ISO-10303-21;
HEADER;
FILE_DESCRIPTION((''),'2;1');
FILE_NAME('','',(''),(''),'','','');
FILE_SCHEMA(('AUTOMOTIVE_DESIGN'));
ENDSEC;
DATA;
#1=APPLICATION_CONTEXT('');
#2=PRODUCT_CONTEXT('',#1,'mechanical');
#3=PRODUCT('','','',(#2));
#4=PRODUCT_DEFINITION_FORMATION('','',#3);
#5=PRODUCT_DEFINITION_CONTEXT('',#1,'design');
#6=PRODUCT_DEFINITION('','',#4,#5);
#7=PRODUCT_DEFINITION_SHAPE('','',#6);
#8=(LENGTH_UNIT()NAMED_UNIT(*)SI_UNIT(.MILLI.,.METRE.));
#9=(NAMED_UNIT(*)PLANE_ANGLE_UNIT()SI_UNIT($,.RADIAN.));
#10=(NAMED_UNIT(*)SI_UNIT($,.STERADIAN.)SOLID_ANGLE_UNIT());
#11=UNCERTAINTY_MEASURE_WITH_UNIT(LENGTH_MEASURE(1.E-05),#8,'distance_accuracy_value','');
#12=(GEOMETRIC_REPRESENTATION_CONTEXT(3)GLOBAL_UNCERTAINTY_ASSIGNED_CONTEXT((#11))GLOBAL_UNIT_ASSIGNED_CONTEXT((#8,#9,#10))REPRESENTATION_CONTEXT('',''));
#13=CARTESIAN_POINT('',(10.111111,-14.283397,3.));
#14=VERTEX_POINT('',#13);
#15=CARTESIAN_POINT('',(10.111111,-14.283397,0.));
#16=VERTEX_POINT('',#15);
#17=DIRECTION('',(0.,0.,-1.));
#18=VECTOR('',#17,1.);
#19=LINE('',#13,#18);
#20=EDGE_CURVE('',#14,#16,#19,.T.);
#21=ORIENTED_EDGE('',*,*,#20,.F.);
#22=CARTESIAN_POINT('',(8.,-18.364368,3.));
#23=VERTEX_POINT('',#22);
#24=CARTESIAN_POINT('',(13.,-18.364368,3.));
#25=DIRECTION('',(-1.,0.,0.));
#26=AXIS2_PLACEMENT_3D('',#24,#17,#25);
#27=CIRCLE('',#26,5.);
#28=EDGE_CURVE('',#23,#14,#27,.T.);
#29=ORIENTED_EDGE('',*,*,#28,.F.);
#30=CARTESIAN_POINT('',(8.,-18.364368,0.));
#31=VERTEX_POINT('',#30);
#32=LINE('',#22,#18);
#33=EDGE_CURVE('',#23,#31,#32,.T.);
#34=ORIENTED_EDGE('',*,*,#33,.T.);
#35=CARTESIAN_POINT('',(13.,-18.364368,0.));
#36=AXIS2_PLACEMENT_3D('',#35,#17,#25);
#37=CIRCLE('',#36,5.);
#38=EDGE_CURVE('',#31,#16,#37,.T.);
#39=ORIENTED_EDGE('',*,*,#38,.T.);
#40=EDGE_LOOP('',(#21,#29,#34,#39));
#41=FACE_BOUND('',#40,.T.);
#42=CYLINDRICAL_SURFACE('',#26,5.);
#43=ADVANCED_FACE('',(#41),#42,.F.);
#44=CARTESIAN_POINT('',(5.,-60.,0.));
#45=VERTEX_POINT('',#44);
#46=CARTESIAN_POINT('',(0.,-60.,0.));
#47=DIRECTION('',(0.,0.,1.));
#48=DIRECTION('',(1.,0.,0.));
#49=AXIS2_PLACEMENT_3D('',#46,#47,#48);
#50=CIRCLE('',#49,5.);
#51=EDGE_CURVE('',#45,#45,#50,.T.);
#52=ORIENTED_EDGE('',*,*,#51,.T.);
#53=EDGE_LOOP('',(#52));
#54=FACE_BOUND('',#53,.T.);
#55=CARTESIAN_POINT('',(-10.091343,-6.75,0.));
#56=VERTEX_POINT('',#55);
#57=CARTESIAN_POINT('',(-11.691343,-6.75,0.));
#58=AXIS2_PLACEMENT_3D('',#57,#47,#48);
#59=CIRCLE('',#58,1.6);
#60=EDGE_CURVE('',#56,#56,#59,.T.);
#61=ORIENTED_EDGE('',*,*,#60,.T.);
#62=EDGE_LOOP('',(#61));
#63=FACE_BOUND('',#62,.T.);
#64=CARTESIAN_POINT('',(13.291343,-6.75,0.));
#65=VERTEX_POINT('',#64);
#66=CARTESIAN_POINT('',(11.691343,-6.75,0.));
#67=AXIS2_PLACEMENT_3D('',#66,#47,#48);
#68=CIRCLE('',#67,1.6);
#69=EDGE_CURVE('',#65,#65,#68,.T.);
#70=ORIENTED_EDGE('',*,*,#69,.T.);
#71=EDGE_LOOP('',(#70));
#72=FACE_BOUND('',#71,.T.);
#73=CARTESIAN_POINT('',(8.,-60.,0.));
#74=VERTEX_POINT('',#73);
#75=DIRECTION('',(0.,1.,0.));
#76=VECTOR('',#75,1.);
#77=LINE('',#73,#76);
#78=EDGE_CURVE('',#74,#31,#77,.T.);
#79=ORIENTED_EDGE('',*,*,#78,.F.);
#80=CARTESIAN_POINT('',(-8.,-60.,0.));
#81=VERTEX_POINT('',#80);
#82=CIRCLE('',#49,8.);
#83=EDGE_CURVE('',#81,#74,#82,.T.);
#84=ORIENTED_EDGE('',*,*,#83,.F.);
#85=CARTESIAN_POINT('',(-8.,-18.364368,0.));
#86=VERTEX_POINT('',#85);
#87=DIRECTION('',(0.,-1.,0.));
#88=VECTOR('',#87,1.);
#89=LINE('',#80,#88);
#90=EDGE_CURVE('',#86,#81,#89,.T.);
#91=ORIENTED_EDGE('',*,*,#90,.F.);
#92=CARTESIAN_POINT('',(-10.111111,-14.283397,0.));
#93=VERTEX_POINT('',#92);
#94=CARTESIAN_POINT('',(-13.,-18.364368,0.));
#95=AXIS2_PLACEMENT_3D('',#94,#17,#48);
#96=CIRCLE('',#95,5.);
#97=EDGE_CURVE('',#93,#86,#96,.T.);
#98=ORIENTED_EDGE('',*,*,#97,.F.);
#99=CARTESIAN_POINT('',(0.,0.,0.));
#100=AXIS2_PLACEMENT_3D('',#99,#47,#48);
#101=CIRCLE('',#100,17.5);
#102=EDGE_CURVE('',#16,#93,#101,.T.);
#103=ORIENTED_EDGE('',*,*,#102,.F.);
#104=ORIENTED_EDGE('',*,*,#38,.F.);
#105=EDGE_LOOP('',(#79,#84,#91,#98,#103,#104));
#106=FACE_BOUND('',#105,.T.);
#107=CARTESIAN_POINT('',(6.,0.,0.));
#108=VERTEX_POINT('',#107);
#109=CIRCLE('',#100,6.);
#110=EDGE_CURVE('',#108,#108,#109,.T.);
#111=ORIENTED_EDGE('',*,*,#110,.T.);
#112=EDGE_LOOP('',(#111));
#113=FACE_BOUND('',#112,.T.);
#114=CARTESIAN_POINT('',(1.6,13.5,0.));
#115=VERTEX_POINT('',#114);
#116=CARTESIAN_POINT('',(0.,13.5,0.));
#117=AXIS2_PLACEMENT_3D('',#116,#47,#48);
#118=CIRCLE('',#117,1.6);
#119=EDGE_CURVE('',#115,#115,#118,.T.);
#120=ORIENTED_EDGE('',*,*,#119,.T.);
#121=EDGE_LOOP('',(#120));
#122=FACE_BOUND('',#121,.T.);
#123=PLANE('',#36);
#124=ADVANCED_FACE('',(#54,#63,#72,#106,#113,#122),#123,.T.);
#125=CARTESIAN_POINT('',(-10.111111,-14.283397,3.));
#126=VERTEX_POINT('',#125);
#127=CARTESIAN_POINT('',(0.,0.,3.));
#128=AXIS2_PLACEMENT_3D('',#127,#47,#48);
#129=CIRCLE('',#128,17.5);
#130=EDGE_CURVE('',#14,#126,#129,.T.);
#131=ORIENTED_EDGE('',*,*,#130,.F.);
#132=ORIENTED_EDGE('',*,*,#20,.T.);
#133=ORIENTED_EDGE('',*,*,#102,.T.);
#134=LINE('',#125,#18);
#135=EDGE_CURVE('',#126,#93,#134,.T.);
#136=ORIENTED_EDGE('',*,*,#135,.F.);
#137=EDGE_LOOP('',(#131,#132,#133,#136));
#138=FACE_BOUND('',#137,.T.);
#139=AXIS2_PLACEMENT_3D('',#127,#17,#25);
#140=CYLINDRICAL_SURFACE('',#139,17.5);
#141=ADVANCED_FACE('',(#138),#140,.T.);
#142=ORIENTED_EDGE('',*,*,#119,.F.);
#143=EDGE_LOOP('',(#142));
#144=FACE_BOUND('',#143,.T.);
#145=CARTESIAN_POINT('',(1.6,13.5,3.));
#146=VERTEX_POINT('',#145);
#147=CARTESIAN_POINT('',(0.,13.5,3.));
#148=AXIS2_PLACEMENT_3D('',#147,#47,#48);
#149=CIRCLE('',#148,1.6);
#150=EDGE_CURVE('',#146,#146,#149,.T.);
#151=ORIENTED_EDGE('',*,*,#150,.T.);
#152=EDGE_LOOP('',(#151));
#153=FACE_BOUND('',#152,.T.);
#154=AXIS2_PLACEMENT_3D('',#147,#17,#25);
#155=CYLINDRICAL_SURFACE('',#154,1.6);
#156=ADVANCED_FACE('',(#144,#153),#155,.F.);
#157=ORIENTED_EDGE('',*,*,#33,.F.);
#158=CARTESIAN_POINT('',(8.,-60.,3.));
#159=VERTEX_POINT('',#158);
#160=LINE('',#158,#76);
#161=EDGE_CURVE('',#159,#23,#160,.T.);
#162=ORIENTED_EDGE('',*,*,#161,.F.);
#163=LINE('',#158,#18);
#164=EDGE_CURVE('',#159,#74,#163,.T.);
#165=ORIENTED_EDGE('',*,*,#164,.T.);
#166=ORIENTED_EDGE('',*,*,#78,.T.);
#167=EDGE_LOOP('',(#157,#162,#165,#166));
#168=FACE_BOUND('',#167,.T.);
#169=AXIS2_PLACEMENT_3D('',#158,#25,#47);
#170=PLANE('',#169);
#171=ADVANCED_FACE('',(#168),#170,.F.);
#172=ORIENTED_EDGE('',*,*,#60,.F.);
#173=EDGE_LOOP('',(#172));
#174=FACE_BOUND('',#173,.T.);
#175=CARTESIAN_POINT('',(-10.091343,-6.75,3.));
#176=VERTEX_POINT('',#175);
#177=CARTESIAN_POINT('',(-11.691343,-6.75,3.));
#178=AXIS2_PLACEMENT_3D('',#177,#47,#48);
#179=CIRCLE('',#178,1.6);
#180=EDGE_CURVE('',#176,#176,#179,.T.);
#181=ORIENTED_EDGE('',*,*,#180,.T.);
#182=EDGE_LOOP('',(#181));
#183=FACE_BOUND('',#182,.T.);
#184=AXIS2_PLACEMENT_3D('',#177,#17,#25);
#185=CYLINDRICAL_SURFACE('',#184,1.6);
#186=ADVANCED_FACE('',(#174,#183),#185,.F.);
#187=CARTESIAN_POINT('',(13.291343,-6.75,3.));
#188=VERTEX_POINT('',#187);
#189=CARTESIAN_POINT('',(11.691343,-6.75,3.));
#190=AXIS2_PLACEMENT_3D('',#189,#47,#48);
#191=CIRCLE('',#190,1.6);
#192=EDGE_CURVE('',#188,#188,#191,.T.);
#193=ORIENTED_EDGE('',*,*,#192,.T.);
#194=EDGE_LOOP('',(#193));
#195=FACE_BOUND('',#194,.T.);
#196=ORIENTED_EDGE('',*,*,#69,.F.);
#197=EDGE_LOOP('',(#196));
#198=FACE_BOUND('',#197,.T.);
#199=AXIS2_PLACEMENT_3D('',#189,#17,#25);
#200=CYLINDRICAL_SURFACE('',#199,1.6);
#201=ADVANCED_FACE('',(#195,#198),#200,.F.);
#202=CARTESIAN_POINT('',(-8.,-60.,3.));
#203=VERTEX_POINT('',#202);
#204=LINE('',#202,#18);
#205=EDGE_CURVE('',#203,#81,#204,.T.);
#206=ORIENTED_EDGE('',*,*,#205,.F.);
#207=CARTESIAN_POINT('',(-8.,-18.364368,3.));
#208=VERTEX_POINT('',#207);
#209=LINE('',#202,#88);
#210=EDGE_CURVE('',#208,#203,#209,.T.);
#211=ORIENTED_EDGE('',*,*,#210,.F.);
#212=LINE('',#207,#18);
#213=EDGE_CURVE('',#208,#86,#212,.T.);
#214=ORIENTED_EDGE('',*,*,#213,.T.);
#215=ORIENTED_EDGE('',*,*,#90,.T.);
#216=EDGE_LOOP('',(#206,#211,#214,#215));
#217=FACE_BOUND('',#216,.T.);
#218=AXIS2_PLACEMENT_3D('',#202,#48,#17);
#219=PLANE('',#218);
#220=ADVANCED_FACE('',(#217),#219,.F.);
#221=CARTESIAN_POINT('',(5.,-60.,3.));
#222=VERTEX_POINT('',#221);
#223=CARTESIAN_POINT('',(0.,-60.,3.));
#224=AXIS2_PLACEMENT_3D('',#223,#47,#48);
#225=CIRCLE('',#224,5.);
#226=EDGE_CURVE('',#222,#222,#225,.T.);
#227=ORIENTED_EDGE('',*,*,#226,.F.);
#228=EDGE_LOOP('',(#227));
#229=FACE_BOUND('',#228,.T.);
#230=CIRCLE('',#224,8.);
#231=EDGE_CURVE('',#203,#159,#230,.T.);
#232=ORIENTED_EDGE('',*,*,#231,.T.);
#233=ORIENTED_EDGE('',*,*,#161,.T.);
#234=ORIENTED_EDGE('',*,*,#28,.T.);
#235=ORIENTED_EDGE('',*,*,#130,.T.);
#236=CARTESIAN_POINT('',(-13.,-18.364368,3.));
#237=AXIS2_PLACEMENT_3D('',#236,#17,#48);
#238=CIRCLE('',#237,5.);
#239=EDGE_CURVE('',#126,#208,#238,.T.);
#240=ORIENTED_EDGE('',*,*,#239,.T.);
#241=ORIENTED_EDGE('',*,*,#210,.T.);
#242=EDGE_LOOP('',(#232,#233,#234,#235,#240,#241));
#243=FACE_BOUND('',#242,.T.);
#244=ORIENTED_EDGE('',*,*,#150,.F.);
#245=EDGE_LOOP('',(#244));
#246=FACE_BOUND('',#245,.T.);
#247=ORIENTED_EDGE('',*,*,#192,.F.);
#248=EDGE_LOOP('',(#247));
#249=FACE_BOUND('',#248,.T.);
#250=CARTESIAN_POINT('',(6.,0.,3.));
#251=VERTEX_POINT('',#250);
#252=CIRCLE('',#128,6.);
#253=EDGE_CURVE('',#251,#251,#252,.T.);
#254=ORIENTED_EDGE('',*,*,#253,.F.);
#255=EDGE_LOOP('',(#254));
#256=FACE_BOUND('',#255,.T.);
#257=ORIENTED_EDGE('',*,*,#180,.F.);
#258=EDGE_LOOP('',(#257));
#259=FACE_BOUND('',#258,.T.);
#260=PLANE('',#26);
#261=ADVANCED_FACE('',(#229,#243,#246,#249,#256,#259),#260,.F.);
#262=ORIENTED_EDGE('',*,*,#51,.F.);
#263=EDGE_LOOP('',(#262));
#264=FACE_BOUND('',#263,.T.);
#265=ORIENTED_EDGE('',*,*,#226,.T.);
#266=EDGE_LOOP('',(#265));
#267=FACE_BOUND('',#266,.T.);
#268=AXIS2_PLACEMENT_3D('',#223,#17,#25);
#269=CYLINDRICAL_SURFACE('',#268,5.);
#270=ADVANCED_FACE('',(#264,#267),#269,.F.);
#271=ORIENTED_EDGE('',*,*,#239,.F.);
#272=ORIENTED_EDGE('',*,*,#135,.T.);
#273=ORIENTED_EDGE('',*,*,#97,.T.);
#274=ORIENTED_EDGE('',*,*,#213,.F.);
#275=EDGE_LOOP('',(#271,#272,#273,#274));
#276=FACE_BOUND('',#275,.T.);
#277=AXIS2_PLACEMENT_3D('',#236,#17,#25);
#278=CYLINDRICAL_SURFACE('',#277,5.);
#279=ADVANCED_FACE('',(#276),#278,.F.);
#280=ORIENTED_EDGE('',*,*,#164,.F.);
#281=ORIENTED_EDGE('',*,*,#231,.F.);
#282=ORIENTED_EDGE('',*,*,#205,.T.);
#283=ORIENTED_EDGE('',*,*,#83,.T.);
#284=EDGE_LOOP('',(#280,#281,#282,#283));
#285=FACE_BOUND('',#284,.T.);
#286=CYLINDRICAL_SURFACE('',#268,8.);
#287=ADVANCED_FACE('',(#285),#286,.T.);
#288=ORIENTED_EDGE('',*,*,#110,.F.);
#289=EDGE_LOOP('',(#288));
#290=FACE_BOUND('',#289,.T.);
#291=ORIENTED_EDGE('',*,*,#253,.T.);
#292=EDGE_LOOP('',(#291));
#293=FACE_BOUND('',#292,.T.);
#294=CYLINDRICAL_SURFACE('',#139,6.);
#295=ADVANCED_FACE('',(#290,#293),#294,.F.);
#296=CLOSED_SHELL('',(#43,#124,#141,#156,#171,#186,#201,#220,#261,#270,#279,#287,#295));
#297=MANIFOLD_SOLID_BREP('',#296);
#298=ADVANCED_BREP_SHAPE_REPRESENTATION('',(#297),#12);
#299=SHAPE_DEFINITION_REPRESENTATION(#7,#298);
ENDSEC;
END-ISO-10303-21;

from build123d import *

# Parameters (mm, degrees)
SKETCH_1_R      = 1.6
SKETCH_1_R_2    = 6
SKETCH_1_R_3    = 5
EXTRUDE_1_DEPTH = 3


with BuildPart() as part:
    # 草图1 → 凸台-拉伸1 (new body)
    with BuildSketch(Plane.XY):
        with BuildLine():
            Line((-8, -60), (-8, -18.364367672))
            ThreePointArc((-8, -18.364367672), (-8.559029135, -16.067026214), (-10.111111111, -14.283397078))
            ThreePointArc((-10.111111111, -14.283397078), (0, 17.5), (10.111111111, -14.283397078))
            ThreePointArc((10.111111111, -14.283397078), (8.559029135, -16.067026214), (8, -18.364367672))
            Line((8, -18.364367672), (8, -60))
            ThreePointArc((8, -60), (0, -68), (-8, -60))
        make_face()
        with Locations((0, 13.5)):
            Circle(SKETCH_1_R, mode=Mode.SUBTRACT)
        with Locations((11.691342951, -6.75)):
            Circle(SKETCH_1_R, mode=Mode.SUBTRACT)
        with Locations((-11.691342951, -6.75)):
            Circle(SKETCH_1_R, mode=Mode.SUBTRACT)
        Circle(SKETCH_1_R_2, mode=Mode.SUBTRACT)
        with Locations((0, -60)):
            Circle(SKETCH_1_R_3, mode=Mode.SUBTRACT)
    extrude(amount=EXTRUDE_1_DEPTH)


solid = part.part
